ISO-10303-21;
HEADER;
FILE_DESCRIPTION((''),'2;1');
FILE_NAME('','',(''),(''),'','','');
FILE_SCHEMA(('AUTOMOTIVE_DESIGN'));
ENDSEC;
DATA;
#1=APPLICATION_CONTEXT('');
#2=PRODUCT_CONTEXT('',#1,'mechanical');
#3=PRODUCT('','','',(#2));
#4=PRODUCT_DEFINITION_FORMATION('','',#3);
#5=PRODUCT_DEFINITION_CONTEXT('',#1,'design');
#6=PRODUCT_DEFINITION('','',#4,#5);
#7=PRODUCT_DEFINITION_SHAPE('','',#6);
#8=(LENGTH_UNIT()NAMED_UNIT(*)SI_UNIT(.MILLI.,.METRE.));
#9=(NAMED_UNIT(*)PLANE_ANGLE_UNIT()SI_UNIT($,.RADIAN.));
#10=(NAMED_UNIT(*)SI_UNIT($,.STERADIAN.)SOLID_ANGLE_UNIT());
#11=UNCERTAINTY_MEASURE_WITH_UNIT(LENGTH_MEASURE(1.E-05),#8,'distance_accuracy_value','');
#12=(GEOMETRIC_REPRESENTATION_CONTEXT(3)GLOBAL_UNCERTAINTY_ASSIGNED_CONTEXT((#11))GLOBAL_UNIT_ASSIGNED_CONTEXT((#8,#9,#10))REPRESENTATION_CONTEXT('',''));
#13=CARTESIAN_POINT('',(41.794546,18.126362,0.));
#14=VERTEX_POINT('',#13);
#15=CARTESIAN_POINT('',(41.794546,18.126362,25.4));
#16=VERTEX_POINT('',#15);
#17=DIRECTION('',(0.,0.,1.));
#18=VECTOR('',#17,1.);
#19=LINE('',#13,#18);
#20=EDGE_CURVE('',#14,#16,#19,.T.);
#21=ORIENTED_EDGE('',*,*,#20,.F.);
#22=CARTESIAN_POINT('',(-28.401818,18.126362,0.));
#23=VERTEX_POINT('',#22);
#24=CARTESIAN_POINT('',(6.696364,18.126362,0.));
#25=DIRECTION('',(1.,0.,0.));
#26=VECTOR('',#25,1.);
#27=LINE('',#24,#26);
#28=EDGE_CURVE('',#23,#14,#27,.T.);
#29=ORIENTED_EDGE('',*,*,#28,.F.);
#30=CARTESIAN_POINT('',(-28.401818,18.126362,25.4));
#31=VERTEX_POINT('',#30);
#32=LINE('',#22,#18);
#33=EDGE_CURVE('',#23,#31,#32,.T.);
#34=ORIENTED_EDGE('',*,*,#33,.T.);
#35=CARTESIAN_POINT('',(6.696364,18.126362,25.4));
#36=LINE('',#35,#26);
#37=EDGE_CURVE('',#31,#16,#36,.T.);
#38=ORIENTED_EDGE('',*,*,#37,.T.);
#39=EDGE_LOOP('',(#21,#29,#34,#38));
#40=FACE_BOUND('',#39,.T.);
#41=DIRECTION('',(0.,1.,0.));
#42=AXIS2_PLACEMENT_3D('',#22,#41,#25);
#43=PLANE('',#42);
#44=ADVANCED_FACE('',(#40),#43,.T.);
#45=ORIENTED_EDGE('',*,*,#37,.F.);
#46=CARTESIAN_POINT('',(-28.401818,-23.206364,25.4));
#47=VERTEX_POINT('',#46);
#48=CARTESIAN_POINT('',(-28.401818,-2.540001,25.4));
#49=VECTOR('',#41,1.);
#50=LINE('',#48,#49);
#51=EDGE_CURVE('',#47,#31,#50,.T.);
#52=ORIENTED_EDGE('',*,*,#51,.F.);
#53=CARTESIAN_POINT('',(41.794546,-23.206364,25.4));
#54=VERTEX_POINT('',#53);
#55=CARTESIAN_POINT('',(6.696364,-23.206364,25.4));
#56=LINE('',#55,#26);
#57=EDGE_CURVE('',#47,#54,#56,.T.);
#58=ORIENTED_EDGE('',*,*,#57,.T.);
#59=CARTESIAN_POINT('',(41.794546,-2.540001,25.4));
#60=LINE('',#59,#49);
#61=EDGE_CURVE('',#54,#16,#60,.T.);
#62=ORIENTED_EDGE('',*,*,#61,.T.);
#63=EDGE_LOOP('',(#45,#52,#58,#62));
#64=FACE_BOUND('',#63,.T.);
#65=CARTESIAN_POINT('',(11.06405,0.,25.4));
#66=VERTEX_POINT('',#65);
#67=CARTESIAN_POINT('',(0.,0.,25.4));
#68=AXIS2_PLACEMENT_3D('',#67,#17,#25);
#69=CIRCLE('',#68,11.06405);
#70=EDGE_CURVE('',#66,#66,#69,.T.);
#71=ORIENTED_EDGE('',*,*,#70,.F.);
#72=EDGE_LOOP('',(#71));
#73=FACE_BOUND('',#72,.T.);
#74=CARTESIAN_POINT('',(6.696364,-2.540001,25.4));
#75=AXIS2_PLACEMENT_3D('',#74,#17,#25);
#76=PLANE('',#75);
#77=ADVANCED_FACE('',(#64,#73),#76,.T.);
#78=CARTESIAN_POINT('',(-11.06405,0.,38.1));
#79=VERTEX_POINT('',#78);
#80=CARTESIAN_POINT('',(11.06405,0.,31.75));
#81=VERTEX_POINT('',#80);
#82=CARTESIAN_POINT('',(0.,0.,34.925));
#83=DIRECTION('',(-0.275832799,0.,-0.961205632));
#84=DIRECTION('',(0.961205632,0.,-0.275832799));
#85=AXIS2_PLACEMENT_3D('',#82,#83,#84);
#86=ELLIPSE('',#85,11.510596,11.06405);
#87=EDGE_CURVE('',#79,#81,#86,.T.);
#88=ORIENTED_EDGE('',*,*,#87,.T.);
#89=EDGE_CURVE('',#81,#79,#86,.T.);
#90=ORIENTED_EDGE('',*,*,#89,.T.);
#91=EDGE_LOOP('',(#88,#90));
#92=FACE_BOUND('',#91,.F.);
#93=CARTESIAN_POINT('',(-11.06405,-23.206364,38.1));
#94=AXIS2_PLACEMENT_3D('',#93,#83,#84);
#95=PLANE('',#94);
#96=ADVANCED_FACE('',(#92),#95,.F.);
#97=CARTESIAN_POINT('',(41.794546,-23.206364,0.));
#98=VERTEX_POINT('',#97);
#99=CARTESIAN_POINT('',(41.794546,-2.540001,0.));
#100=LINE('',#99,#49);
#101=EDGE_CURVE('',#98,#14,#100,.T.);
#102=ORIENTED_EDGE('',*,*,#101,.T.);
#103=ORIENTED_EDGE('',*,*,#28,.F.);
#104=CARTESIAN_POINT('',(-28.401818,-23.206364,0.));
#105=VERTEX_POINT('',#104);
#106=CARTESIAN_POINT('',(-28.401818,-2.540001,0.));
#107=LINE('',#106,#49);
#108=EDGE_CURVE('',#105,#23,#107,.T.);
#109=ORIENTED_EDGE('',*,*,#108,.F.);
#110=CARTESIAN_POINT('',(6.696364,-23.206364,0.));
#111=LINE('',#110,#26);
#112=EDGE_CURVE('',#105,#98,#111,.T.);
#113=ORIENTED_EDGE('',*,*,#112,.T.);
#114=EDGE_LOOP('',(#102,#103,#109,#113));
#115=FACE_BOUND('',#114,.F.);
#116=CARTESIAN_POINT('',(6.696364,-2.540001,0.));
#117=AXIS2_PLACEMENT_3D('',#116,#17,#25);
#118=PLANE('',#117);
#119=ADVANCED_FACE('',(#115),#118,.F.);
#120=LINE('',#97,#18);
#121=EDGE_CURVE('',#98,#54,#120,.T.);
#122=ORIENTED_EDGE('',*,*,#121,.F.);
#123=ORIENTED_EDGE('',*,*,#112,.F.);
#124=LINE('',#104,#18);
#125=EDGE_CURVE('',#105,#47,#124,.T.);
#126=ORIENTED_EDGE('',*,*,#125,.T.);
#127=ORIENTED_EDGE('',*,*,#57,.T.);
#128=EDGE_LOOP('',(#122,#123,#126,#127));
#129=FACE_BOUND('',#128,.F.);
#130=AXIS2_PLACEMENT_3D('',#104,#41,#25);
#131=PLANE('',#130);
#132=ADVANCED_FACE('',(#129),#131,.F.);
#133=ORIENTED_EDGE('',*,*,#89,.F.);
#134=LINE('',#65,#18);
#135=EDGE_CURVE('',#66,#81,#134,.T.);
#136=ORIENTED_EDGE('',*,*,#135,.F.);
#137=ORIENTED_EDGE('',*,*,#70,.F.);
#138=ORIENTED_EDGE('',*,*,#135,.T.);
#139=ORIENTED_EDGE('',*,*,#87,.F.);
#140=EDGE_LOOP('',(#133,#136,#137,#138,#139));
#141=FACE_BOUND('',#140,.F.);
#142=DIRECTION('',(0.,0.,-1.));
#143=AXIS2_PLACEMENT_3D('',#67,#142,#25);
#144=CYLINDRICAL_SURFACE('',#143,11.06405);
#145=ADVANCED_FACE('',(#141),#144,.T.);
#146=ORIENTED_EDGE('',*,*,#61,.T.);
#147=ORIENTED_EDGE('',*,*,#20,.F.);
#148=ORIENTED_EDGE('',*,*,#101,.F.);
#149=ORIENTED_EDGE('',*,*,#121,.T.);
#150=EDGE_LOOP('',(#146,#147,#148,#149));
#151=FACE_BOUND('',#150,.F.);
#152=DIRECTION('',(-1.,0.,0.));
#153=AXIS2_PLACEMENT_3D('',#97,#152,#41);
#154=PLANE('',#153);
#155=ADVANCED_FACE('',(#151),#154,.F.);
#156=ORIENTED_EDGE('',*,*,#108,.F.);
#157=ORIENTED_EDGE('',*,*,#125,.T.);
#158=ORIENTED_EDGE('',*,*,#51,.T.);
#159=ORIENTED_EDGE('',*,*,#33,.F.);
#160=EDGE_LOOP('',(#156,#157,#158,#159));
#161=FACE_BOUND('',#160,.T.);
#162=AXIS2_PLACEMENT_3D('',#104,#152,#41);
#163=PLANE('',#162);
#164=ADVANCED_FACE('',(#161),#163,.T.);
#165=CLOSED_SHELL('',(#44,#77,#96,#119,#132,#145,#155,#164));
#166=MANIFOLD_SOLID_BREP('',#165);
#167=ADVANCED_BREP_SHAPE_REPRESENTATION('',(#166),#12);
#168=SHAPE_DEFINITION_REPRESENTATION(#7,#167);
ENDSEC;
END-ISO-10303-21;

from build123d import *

# Parameters (mm, degrees)
F0_W     = 70.196364
F0_H     = 41.332727
F1_DEPTH = 25.4
F2_R     = 11.06405
F3_DEPTH = 12.7
F5_DEPTH = 58.674


with BuildPart() as f1:
    # F0 (on Top) → F1 (new body)
    with BuildSketch(Plane.XY):
        with Locations((6.696364, -2.540001)):
            Rectangle(F0_W, F0_H)
    extrude(amount=F1_DEPTH)

    # F2 (on face) → F3 (join)
    with BuildSketch(Plane.XY.offset(25.4)):
        Circle(F2_R)
    extrude(amount=F3_DEPTH)

    # F4 (on face) → F5 (cut)
    with BuildSketch(Plane.XZ.offset(23.206364)):
        Polygon((11.06405, 38.1), (-11.06405, 38.1), (11.06405, 31.75), align=None)
    extrude(amount=-F5_DEPTH, mode=Mode.SUBTRACT)


solid = f1.part
